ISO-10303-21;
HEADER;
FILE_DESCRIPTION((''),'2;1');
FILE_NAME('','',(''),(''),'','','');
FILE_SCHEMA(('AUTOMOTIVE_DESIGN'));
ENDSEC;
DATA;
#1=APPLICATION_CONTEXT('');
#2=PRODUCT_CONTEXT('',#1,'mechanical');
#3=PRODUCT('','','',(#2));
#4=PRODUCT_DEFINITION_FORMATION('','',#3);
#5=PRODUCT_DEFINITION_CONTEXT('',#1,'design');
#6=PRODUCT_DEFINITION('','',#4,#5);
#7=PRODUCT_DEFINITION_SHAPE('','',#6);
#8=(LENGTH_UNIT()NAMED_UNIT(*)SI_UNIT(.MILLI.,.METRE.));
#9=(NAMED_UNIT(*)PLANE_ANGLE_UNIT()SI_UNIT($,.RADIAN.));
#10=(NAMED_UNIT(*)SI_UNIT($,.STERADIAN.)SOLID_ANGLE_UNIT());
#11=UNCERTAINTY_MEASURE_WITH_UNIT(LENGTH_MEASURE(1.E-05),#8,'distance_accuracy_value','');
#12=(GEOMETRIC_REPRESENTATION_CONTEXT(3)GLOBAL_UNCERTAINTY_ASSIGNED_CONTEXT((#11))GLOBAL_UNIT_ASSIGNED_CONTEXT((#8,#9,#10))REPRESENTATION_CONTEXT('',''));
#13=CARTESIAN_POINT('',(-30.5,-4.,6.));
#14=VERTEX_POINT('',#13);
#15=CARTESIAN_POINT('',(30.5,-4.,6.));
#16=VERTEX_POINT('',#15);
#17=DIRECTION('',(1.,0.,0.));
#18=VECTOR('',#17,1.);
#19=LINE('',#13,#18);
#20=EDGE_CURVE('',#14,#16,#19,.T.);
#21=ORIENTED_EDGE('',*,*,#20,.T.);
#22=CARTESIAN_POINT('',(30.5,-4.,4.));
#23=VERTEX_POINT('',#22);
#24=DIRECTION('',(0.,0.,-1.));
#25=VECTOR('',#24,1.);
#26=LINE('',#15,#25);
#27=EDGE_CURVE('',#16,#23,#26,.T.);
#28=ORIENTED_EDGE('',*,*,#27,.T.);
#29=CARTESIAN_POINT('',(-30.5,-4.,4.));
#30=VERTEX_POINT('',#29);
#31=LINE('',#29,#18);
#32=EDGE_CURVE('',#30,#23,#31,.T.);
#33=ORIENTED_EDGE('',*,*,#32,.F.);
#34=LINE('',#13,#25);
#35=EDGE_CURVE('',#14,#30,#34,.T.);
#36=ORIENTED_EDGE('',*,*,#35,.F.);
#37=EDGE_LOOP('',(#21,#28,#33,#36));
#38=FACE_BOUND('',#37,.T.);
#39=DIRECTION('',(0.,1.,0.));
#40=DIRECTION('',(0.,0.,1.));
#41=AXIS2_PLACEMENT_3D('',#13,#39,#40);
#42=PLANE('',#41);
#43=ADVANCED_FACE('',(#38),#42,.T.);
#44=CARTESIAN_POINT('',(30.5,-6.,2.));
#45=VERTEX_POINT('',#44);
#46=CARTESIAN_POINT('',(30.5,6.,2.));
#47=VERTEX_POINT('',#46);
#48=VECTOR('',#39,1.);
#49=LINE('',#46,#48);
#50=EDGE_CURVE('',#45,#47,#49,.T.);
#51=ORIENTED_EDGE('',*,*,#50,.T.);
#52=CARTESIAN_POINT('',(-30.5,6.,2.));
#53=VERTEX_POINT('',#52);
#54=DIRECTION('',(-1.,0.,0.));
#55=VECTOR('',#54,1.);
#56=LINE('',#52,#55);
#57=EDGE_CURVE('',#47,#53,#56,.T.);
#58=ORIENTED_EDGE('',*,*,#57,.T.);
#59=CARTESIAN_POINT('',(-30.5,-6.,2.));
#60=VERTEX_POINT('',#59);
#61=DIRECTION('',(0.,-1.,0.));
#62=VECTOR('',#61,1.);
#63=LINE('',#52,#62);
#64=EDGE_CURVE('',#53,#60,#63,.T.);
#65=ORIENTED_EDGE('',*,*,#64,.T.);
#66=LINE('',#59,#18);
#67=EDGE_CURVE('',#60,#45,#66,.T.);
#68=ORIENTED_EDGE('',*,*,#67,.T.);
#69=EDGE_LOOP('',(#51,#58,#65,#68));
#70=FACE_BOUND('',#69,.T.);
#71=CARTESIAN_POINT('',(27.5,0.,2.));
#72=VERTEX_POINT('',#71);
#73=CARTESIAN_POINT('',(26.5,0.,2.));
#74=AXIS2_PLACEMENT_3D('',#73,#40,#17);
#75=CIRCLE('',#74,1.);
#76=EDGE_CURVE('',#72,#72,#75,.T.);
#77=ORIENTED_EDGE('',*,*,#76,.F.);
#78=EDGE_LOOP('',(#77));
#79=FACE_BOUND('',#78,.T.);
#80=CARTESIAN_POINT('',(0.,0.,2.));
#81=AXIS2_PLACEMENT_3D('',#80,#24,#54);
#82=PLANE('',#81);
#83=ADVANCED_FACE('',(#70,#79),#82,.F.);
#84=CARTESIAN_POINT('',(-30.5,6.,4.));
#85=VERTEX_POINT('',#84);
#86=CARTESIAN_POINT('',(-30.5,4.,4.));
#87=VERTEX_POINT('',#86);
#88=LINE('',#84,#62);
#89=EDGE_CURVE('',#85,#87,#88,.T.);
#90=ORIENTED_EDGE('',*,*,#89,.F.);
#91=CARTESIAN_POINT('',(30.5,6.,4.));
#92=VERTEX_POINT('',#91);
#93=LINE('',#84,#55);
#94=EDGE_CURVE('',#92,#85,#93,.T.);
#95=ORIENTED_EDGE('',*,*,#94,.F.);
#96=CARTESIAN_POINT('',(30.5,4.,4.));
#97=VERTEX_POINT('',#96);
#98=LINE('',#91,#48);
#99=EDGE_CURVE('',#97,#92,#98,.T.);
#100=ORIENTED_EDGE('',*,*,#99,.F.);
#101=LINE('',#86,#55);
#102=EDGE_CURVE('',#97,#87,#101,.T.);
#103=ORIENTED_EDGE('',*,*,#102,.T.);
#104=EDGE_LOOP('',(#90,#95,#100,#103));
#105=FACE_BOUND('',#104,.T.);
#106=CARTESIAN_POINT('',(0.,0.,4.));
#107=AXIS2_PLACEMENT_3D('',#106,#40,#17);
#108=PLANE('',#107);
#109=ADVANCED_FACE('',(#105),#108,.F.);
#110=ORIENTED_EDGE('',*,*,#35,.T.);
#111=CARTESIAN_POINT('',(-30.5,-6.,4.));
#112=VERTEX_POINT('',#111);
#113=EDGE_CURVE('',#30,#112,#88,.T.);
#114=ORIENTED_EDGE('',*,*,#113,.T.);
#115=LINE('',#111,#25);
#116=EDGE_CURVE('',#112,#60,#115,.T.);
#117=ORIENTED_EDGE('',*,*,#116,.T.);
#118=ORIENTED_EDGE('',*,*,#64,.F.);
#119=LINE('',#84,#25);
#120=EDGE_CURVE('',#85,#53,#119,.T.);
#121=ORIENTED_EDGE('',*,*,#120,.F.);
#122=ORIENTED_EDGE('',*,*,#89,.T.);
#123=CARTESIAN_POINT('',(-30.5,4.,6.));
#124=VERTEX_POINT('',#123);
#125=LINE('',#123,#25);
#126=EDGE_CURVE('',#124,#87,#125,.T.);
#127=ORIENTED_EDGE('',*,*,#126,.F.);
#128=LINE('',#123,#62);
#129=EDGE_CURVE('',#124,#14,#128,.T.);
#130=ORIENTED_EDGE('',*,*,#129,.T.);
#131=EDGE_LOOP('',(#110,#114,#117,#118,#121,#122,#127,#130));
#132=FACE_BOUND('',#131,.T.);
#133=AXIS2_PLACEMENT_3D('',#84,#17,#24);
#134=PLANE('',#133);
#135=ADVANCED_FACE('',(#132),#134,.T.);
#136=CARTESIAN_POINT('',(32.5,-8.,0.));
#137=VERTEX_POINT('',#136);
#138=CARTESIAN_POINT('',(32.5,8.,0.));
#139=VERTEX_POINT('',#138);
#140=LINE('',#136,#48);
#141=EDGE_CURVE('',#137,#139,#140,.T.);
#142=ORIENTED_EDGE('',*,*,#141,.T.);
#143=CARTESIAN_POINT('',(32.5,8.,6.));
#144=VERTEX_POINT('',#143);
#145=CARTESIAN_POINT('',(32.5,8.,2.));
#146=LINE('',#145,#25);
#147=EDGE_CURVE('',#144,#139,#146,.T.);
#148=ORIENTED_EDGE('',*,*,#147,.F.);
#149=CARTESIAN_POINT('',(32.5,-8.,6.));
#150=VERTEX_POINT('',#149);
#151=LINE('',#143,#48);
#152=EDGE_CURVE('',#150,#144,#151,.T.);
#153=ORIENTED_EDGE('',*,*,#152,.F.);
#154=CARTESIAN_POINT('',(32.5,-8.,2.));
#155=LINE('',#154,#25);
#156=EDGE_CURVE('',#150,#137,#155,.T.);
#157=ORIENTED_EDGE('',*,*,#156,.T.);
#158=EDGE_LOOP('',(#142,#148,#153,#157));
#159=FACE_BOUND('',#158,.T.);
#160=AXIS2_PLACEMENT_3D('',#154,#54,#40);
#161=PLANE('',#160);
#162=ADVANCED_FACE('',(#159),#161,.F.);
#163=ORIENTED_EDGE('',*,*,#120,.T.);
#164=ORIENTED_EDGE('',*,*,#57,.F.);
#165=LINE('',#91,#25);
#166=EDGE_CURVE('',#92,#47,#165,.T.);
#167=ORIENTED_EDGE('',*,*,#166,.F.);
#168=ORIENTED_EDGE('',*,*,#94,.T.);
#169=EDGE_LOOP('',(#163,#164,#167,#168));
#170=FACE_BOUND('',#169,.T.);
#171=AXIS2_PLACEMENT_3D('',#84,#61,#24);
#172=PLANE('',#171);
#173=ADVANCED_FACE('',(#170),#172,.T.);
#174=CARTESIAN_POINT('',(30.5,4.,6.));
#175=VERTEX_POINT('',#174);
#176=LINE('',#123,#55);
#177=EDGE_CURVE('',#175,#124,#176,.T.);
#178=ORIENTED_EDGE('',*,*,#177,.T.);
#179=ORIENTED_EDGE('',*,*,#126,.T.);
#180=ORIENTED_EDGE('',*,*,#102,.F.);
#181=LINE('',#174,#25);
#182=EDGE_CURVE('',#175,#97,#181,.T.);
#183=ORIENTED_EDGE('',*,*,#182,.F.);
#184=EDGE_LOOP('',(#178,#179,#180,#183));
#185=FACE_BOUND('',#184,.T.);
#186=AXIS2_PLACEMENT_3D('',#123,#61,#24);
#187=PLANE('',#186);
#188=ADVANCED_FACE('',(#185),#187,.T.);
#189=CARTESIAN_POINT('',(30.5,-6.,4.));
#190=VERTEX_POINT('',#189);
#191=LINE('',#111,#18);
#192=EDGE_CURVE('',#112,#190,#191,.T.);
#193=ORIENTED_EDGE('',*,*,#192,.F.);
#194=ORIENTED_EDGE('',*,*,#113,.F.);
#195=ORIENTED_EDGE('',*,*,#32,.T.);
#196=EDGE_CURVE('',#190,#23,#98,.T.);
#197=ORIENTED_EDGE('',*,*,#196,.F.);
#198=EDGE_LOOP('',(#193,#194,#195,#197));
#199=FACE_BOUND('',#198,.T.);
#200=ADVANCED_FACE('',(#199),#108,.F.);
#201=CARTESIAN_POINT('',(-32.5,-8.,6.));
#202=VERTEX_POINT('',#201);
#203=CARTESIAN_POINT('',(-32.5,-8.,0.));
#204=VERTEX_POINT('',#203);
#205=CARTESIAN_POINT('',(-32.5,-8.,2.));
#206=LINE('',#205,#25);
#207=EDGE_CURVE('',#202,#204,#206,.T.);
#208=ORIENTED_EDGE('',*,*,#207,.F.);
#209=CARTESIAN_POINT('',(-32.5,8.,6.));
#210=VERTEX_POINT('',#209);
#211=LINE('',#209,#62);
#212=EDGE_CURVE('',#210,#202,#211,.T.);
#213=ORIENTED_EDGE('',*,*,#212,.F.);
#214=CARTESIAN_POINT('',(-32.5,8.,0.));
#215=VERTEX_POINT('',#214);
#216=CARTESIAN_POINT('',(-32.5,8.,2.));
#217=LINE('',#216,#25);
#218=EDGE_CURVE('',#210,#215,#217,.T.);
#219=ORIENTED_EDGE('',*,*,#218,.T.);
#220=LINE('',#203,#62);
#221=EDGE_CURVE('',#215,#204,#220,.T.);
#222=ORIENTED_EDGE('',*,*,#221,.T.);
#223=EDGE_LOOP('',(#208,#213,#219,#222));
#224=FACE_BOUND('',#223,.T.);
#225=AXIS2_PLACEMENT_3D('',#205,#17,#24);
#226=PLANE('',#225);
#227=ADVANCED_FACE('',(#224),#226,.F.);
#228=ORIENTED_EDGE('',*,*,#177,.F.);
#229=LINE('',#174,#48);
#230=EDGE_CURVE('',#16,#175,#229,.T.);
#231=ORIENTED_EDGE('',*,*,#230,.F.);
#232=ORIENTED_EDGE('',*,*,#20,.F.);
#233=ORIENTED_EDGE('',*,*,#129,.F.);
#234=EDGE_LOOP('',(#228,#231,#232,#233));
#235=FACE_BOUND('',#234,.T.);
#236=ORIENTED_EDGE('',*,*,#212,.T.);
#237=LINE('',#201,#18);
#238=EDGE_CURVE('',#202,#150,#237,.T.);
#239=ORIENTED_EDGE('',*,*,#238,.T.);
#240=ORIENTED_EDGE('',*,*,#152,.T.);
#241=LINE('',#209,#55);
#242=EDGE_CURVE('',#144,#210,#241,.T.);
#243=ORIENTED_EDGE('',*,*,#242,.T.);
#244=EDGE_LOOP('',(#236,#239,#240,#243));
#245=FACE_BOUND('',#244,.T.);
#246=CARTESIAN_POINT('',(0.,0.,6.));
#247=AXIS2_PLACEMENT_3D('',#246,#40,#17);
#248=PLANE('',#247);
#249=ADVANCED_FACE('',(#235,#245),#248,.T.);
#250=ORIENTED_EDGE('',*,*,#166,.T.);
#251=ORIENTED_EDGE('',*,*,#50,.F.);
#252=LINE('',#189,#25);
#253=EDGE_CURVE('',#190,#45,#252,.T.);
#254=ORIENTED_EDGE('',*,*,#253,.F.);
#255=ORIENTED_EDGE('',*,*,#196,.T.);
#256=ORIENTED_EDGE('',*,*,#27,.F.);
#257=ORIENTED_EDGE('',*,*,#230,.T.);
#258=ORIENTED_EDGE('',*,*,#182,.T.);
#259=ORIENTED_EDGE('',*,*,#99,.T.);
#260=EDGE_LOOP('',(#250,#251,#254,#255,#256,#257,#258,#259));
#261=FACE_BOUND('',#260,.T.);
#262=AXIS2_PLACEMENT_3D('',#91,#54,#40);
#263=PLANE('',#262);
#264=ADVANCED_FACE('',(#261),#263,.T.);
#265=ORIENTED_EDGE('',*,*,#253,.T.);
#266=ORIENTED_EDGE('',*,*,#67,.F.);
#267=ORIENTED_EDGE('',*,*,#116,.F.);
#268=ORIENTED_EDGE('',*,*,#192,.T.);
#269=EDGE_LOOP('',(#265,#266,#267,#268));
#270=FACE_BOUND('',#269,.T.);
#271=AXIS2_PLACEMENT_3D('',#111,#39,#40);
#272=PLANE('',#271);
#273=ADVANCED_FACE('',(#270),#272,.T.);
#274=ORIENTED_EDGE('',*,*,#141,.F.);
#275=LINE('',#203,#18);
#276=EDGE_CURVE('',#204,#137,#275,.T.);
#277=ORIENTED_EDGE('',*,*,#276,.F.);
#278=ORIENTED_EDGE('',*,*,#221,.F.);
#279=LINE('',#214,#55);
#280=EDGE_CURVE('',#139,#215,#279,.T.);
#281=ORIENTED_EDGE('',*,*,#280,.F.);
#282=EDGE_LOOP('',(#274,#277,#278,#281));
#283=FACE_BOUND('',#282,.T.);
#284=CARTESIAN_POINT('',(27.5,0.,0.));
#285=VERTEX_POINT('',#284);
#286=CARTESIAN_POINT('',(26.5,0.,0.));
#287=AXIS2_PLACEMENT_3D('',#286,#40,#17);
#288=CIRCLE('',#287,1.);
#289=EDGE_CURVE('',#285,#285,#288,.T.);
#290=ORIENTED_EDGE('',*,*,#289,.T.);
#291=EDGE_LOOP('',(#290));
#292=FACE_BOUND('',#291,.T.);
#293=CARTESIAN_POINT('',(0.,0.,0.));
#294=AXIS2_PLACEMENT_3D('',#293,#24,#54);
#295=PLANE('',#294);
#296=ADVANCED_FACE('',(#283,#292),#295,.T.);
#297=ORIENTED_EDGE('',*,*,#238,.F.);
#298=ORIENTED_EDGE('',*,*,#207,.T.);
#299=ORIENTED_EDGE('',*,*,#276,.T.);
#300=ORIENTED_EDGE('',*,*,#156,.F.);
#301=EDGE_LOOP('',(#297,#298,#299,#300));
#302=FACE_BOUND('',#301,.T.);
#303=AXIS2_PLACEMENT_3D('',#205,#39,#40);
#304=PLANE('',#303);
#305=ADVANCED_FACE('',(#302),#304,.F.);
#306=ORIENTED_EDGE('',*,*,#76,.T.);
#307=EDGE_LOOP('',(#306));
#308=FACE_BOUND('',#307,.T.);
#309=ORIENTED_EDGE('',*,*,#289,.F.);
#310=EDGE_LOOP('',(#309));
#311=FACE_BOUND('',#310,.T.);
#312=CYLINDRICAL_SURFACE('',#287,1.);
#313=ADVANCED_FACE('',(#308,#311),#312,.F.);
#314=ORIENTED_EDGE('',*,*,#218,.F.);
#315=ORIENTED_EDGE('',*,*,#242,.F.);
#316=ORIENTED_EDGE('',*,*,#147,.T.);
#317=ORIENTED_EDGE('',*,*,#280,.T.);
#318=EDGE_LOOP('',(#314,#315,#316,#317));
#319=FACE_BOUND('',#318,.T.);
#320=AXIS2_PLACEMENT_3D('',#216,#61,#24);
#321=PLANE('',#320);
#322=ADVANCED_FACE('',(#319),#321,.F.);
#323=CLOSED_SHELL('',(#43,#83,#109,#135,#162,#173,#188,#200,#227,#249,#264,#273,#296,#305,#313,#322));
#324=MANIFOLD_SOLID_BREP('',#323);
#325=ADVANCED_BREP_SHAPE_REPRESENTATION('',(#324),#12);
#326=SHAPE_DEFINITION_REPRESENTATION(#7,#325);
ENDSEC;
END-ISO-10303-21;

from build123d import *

# Parameters (mm, degrees)
SKETCH1_W           = 65
SKETCH1_H           = 16
BOSS_EXTRUDE1_DEPTH = 2
SKETCH2_W           = 65
SKETCH2_H           = 16
SKETCH2_W_2         = 61
SKETCH2_H_2         = 12
BOSS_EXTRUDE2_DEPTH = 2
SKETCH4_W           = 65
SKETCH4_H           = 16
SKETCH4_W_2         = 61
SKETCH4_H_2         = 8
BOSS_EXTRUDE3_DEPTH = 2
SKETCH6_R           = 1
CUT_EXTRUDE2_DEPTH  = 34.708307581


with BuildPart() as part:
    # Sketch1 → Boss-Extrude1 (new body)
    with BuildSketch(Plane.XY):
        Rectangle(SKETCH1_W, SKETCH1_H)
    extrude(amount=BOSS_EXTRUDE1_DEPTH)

    # Sketch2 → Boss-Extrude2 (add)
    with BuildSketch(Plane.XY.offset(2)):
        Rectangle(SKETCH2_W, SKETCH2_H)
        Rectangle(SKETCH2_W_2, SKETCH2_H_2, mode=Mode.SUBTRACT)
    extrude(amount=BOSS_EXTRUDE2_DEPTH)

    # Sketch4 → Boss-Extrude3 (add)
    with BuildSketch(Plane.XY.offset(4)):
        Rectangle(SKETCH4_W, SKETCH4_H)
        Rectangle(SKETCH4_W_2, SKETCH4_H_2, mode=Mode.SUBTRACT)
    extrude(amount=BOSS_EXTRUDE3_DEPTH)

    # Sketch6 → Cut-Extrude2 (cut, through all)
    with BuildSketch(Plane.XY.offset(2)):
        with Locations((26.5, 0)):
            Circle(SKETCH6_R)
    extrude(amount=-CUT_EXTRUDE2_DEPTH, mode=Mode.SUBTRACT)


solid = part.part
